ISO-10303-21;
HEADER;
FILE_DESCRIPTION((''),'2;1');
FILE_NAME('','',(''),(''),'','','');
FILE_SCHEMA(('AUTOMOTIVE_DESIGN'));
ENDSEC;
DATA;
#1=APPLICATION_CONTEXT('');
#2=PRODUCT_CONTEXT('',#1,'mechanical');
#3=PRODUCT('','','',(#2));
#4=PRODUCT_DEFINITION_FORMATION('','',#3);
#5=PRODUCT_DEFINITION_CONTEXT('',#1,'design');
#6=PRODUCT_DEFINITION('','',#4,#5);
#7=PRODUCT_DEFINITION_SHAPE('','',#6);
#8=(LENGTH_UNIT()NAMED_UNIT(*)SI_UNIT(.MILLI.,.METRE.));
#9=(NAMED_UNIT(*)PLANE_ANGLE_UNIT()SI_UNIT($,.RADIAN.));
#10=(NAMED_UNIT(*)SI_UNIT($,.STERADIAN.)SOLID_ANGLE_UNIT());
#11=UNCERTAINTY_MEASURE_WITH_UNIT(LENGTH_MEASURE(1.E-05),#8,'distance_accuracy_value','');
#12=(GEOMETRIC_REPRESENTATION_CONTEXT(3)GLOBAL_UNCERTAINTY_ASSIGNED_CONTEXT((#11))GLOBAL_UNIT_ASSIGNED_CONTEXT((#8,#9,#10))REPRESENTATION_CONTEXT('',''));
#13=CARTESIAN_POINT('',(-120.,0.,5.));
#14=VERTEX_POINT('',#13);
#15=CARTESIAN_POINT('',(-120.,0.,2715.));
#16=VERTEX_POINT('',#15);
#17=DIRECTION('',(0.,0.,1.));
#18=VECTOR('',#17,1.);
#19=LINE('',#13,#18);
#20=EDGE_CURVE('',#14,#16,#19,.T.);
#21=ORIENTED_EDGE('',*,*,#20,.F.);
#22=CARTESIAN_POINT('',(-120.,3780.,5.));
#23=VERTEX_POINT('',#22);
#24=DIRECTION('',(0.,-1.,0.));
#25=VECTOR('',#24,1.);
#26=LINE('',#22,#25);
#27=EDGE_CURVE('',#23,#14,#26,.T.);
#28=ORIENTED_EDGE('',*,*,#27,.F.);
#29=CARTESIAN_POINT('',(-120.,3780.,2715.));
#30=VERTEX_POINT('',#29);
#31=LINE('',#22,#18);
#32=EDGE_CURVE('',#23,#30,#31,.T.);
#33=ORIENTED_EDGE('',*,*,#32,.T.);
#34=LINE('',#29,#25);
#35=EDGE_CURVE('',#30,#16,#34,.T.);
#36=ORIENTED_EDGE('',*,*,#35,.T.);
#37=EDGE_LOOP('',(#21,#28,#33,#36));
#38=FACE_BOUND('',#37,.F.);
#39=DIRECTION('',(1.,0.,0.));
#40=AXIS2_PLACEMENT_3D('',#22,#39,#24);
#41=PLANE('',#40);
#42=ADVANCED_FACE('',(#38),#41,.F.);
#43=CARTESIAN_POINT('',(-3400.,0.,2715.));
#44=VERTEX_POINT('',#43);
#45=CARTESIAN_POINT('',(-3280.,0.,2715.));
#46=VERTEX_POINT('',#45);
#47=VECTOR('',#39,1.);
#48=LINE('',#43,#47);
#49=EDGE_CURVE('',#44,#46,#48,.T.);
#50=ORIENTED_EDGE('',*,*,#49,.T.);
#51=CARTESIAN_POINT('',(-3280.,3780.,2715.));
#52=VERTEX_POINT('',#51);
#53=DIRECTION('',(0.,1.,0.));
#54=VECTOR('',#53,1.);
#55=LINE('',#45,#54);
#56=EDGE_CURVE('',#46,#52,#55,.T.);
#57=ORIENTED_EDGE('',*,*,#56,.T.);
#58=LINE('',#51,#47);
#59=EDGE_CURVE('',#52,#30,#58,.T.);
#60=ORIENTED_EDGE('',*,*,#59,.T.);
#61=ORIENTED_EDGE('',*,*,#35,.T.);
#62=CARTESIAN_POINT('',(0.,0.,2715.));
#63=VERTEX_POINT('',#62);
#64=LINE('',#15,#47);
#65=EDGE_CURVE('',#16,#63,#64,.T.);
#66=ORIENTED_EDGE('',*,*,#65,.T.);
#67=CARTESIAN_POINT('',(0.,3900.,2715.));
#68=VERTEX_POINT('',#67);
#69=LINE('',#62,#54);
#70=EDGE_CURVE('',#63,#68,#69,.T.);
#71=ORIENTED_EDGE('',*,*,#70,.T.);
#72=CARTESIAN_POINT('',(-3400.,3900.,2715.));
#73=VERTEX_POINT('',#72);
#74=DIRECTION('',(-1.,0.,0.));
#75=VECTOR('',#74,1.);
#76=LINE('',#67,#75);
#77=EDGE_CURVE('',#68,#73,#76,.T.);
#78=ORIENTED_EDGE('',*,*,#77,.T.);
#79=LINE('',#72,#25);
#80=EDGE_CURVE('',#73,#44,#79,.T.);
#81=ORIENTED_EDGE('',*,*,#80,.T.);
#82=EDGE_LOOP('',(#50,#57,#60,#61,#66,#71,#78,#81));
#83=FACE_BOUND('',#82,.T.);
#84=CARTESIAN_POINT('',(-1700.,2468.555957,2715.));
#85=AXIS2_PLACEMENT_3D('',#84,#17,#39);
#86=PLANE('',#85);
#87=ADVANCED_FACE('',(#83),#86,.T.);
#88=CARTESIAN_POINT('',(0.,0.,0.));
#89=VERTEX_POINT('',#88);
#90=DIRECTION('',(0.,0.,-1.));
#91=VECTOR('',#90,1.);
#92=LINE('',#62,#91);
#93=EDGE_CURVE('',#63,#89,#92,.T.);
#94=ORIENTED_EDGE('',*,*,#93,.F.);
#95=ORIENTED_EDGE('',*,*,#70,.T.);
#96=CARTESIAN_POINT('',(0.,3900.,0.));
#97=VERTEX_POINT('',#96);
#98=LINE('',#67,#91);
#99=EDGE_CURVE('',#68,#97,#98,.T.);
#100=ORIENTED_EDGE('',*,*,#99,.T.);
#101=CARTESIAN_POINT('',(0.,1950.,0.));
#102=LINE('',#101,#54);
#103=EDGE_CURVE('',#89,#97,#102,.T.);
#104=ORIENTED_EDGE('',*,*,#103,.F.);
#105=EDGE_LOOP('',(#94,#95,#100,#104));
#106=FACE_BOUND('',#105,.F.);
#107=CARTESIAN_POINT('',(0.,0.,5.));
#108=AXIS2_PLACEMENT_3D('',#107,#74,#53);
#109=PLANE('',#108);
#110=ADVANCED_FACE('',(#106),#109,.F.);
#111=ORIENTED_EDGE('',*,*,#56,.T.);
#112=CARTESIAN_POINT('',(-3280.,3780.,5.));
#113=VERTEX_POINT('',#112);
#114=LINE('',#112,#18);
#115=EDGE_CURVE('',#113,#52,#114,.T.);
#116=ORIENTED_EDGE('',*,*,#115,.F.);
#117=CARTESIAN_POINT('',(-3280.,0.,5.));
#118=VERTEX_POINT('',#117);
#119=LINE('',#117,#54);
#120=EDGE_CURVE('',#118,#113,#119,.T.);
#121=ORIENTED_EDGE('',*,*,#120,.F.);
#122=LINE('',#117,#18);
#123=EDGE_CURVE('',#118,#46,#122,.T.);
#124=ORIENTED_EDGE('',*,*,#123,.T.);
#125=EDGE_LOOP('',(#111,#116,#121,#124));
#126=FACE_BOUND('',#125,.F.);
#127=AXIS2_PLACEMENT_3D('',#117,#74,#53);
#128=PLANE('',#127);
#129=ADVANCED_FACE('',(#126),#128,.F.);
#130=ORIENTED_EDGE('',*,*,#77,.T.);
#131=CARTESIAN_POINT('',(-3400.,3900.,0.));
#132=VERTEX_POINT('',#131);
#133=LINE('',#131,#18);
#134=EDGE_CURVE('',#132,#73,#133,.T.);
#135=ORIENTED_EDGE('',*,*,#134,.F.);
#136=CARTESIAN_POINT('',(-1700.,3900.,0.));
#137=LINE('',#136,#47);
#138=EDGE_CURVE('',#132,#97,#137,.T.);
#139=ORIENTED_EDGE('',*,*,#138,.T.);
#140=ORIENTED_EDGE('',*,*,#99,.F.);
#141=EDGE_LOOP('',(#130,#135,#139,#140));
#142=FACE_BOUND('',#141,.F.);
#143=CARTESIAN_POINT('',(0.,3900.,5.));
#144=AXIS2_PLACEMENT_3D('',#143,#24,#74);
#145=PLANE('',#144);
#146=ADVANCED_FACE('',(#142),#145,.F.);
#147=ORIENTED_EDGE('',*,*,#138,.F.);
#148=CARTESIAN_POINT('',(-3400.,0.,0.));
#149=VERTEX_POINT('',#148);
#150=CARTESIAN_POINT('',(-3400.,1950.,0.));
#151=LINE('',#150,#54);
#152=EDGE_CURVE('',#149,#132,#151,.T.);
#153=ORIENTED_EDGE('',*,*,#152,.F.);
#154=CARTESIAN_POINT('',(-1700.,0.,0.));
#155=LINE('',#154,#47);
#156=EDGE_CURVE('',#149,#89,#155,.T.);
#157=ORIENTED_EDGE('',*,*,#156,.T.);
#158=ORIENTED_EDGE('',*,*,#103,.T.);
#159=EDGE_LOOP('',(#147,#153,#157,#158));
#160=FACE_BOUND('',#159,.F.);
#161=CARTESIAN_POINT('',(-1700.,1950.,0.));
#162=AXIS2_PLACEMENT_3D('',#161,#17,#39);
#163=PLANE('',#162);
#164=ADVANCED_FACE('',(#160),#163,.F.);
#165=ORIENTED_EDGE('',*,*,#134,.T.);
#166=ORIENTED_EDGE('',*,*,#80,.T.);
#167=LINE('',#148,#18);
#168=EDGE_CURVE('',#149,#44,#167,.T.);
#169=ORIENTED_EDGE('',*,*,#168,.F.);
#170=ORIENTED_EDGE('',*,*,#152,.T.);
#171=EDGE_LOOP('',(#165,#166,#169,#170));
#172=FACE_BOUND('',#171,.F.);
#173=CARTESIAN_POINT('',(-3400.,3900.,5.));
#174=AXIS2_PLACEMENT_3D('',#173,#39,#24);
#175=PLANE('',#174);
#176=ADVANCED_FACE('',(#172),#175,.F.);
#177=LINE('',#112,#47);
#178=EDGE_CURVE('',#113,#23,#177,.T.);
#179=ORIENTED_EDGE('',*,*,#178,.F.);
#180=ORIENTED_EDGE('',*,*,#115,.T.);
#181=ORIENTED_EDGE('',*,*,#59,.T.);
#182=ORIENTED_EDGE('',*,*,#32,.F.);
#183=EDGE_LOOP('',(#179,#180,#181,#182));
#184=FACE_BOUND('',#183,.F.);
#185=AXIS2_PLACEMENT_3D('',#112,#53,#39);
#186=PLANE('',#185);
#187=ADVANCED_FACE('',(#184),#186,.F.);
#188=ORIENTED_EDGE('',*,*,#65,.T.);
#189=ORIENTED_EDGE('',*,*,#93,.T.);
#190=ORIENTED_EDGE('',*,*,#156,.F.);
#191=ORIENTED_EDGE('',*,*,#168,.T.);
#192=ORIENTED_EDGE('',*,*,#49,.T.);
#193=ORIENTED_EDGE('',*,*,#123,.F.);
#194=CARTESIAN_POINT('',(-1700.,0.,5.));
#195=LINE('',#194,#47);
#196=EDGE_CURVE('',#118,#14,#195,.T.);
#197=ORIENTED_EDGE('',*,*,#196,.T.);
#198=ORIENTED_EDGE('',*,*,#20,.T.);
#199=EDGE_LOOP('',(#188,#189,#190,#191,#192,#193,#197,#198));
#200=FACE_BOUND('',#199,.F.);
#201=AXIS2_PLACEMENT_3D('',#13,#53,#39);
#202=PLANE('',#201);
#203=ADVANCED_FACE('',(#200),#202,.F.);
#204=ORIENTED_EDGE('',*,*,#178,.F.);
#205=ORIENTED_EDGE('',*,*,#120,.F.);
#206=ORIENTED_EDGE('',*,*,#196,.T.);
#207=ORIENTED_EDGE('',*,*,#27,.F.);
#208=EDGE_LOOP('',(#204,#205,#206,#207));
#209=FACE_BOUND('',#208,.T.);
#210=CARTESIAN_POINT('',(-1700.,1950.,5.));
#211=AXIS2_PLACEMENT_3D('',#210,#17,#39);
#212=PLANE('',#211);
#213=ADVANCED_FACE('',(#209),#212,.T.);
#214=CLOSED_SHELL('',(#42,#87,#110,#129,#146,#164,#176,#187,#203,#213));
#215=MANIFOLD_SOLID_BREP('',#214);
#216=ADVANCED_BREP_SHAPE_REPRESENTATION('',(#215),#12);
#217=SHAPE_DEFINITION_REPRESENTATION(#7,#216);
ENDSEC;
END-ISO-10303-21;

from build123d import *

# Parameters (mm, degrees)
F0_W     = 3400
F0_H     = 3900
F1_DEPTH = 5
F3_DEPTH = 2710


with BuildPart() as f1:
    # F0 (on Top) → F1 (new body)
    with BuildSketch(Plane.XY):
        with Locations((-1700, 1950)):
            Rectangle(F0_W, F0_H)
    extrude(amount=F1_DEPTH)

    # F2 (on face) → F3 (join)
    with BuildSketch(Plane.XY.offset(5)):
        Polygon((0, 3780), (0, 3900), (-3400, 3900), (-3400, 3780), (-3400, 0), (-3280, 0), (-3280, 3780), (-120, 3780), (-120, 0), (0, 0), align=None)
    extrude(amount=F3_DEPTH)


solid = f1.part
